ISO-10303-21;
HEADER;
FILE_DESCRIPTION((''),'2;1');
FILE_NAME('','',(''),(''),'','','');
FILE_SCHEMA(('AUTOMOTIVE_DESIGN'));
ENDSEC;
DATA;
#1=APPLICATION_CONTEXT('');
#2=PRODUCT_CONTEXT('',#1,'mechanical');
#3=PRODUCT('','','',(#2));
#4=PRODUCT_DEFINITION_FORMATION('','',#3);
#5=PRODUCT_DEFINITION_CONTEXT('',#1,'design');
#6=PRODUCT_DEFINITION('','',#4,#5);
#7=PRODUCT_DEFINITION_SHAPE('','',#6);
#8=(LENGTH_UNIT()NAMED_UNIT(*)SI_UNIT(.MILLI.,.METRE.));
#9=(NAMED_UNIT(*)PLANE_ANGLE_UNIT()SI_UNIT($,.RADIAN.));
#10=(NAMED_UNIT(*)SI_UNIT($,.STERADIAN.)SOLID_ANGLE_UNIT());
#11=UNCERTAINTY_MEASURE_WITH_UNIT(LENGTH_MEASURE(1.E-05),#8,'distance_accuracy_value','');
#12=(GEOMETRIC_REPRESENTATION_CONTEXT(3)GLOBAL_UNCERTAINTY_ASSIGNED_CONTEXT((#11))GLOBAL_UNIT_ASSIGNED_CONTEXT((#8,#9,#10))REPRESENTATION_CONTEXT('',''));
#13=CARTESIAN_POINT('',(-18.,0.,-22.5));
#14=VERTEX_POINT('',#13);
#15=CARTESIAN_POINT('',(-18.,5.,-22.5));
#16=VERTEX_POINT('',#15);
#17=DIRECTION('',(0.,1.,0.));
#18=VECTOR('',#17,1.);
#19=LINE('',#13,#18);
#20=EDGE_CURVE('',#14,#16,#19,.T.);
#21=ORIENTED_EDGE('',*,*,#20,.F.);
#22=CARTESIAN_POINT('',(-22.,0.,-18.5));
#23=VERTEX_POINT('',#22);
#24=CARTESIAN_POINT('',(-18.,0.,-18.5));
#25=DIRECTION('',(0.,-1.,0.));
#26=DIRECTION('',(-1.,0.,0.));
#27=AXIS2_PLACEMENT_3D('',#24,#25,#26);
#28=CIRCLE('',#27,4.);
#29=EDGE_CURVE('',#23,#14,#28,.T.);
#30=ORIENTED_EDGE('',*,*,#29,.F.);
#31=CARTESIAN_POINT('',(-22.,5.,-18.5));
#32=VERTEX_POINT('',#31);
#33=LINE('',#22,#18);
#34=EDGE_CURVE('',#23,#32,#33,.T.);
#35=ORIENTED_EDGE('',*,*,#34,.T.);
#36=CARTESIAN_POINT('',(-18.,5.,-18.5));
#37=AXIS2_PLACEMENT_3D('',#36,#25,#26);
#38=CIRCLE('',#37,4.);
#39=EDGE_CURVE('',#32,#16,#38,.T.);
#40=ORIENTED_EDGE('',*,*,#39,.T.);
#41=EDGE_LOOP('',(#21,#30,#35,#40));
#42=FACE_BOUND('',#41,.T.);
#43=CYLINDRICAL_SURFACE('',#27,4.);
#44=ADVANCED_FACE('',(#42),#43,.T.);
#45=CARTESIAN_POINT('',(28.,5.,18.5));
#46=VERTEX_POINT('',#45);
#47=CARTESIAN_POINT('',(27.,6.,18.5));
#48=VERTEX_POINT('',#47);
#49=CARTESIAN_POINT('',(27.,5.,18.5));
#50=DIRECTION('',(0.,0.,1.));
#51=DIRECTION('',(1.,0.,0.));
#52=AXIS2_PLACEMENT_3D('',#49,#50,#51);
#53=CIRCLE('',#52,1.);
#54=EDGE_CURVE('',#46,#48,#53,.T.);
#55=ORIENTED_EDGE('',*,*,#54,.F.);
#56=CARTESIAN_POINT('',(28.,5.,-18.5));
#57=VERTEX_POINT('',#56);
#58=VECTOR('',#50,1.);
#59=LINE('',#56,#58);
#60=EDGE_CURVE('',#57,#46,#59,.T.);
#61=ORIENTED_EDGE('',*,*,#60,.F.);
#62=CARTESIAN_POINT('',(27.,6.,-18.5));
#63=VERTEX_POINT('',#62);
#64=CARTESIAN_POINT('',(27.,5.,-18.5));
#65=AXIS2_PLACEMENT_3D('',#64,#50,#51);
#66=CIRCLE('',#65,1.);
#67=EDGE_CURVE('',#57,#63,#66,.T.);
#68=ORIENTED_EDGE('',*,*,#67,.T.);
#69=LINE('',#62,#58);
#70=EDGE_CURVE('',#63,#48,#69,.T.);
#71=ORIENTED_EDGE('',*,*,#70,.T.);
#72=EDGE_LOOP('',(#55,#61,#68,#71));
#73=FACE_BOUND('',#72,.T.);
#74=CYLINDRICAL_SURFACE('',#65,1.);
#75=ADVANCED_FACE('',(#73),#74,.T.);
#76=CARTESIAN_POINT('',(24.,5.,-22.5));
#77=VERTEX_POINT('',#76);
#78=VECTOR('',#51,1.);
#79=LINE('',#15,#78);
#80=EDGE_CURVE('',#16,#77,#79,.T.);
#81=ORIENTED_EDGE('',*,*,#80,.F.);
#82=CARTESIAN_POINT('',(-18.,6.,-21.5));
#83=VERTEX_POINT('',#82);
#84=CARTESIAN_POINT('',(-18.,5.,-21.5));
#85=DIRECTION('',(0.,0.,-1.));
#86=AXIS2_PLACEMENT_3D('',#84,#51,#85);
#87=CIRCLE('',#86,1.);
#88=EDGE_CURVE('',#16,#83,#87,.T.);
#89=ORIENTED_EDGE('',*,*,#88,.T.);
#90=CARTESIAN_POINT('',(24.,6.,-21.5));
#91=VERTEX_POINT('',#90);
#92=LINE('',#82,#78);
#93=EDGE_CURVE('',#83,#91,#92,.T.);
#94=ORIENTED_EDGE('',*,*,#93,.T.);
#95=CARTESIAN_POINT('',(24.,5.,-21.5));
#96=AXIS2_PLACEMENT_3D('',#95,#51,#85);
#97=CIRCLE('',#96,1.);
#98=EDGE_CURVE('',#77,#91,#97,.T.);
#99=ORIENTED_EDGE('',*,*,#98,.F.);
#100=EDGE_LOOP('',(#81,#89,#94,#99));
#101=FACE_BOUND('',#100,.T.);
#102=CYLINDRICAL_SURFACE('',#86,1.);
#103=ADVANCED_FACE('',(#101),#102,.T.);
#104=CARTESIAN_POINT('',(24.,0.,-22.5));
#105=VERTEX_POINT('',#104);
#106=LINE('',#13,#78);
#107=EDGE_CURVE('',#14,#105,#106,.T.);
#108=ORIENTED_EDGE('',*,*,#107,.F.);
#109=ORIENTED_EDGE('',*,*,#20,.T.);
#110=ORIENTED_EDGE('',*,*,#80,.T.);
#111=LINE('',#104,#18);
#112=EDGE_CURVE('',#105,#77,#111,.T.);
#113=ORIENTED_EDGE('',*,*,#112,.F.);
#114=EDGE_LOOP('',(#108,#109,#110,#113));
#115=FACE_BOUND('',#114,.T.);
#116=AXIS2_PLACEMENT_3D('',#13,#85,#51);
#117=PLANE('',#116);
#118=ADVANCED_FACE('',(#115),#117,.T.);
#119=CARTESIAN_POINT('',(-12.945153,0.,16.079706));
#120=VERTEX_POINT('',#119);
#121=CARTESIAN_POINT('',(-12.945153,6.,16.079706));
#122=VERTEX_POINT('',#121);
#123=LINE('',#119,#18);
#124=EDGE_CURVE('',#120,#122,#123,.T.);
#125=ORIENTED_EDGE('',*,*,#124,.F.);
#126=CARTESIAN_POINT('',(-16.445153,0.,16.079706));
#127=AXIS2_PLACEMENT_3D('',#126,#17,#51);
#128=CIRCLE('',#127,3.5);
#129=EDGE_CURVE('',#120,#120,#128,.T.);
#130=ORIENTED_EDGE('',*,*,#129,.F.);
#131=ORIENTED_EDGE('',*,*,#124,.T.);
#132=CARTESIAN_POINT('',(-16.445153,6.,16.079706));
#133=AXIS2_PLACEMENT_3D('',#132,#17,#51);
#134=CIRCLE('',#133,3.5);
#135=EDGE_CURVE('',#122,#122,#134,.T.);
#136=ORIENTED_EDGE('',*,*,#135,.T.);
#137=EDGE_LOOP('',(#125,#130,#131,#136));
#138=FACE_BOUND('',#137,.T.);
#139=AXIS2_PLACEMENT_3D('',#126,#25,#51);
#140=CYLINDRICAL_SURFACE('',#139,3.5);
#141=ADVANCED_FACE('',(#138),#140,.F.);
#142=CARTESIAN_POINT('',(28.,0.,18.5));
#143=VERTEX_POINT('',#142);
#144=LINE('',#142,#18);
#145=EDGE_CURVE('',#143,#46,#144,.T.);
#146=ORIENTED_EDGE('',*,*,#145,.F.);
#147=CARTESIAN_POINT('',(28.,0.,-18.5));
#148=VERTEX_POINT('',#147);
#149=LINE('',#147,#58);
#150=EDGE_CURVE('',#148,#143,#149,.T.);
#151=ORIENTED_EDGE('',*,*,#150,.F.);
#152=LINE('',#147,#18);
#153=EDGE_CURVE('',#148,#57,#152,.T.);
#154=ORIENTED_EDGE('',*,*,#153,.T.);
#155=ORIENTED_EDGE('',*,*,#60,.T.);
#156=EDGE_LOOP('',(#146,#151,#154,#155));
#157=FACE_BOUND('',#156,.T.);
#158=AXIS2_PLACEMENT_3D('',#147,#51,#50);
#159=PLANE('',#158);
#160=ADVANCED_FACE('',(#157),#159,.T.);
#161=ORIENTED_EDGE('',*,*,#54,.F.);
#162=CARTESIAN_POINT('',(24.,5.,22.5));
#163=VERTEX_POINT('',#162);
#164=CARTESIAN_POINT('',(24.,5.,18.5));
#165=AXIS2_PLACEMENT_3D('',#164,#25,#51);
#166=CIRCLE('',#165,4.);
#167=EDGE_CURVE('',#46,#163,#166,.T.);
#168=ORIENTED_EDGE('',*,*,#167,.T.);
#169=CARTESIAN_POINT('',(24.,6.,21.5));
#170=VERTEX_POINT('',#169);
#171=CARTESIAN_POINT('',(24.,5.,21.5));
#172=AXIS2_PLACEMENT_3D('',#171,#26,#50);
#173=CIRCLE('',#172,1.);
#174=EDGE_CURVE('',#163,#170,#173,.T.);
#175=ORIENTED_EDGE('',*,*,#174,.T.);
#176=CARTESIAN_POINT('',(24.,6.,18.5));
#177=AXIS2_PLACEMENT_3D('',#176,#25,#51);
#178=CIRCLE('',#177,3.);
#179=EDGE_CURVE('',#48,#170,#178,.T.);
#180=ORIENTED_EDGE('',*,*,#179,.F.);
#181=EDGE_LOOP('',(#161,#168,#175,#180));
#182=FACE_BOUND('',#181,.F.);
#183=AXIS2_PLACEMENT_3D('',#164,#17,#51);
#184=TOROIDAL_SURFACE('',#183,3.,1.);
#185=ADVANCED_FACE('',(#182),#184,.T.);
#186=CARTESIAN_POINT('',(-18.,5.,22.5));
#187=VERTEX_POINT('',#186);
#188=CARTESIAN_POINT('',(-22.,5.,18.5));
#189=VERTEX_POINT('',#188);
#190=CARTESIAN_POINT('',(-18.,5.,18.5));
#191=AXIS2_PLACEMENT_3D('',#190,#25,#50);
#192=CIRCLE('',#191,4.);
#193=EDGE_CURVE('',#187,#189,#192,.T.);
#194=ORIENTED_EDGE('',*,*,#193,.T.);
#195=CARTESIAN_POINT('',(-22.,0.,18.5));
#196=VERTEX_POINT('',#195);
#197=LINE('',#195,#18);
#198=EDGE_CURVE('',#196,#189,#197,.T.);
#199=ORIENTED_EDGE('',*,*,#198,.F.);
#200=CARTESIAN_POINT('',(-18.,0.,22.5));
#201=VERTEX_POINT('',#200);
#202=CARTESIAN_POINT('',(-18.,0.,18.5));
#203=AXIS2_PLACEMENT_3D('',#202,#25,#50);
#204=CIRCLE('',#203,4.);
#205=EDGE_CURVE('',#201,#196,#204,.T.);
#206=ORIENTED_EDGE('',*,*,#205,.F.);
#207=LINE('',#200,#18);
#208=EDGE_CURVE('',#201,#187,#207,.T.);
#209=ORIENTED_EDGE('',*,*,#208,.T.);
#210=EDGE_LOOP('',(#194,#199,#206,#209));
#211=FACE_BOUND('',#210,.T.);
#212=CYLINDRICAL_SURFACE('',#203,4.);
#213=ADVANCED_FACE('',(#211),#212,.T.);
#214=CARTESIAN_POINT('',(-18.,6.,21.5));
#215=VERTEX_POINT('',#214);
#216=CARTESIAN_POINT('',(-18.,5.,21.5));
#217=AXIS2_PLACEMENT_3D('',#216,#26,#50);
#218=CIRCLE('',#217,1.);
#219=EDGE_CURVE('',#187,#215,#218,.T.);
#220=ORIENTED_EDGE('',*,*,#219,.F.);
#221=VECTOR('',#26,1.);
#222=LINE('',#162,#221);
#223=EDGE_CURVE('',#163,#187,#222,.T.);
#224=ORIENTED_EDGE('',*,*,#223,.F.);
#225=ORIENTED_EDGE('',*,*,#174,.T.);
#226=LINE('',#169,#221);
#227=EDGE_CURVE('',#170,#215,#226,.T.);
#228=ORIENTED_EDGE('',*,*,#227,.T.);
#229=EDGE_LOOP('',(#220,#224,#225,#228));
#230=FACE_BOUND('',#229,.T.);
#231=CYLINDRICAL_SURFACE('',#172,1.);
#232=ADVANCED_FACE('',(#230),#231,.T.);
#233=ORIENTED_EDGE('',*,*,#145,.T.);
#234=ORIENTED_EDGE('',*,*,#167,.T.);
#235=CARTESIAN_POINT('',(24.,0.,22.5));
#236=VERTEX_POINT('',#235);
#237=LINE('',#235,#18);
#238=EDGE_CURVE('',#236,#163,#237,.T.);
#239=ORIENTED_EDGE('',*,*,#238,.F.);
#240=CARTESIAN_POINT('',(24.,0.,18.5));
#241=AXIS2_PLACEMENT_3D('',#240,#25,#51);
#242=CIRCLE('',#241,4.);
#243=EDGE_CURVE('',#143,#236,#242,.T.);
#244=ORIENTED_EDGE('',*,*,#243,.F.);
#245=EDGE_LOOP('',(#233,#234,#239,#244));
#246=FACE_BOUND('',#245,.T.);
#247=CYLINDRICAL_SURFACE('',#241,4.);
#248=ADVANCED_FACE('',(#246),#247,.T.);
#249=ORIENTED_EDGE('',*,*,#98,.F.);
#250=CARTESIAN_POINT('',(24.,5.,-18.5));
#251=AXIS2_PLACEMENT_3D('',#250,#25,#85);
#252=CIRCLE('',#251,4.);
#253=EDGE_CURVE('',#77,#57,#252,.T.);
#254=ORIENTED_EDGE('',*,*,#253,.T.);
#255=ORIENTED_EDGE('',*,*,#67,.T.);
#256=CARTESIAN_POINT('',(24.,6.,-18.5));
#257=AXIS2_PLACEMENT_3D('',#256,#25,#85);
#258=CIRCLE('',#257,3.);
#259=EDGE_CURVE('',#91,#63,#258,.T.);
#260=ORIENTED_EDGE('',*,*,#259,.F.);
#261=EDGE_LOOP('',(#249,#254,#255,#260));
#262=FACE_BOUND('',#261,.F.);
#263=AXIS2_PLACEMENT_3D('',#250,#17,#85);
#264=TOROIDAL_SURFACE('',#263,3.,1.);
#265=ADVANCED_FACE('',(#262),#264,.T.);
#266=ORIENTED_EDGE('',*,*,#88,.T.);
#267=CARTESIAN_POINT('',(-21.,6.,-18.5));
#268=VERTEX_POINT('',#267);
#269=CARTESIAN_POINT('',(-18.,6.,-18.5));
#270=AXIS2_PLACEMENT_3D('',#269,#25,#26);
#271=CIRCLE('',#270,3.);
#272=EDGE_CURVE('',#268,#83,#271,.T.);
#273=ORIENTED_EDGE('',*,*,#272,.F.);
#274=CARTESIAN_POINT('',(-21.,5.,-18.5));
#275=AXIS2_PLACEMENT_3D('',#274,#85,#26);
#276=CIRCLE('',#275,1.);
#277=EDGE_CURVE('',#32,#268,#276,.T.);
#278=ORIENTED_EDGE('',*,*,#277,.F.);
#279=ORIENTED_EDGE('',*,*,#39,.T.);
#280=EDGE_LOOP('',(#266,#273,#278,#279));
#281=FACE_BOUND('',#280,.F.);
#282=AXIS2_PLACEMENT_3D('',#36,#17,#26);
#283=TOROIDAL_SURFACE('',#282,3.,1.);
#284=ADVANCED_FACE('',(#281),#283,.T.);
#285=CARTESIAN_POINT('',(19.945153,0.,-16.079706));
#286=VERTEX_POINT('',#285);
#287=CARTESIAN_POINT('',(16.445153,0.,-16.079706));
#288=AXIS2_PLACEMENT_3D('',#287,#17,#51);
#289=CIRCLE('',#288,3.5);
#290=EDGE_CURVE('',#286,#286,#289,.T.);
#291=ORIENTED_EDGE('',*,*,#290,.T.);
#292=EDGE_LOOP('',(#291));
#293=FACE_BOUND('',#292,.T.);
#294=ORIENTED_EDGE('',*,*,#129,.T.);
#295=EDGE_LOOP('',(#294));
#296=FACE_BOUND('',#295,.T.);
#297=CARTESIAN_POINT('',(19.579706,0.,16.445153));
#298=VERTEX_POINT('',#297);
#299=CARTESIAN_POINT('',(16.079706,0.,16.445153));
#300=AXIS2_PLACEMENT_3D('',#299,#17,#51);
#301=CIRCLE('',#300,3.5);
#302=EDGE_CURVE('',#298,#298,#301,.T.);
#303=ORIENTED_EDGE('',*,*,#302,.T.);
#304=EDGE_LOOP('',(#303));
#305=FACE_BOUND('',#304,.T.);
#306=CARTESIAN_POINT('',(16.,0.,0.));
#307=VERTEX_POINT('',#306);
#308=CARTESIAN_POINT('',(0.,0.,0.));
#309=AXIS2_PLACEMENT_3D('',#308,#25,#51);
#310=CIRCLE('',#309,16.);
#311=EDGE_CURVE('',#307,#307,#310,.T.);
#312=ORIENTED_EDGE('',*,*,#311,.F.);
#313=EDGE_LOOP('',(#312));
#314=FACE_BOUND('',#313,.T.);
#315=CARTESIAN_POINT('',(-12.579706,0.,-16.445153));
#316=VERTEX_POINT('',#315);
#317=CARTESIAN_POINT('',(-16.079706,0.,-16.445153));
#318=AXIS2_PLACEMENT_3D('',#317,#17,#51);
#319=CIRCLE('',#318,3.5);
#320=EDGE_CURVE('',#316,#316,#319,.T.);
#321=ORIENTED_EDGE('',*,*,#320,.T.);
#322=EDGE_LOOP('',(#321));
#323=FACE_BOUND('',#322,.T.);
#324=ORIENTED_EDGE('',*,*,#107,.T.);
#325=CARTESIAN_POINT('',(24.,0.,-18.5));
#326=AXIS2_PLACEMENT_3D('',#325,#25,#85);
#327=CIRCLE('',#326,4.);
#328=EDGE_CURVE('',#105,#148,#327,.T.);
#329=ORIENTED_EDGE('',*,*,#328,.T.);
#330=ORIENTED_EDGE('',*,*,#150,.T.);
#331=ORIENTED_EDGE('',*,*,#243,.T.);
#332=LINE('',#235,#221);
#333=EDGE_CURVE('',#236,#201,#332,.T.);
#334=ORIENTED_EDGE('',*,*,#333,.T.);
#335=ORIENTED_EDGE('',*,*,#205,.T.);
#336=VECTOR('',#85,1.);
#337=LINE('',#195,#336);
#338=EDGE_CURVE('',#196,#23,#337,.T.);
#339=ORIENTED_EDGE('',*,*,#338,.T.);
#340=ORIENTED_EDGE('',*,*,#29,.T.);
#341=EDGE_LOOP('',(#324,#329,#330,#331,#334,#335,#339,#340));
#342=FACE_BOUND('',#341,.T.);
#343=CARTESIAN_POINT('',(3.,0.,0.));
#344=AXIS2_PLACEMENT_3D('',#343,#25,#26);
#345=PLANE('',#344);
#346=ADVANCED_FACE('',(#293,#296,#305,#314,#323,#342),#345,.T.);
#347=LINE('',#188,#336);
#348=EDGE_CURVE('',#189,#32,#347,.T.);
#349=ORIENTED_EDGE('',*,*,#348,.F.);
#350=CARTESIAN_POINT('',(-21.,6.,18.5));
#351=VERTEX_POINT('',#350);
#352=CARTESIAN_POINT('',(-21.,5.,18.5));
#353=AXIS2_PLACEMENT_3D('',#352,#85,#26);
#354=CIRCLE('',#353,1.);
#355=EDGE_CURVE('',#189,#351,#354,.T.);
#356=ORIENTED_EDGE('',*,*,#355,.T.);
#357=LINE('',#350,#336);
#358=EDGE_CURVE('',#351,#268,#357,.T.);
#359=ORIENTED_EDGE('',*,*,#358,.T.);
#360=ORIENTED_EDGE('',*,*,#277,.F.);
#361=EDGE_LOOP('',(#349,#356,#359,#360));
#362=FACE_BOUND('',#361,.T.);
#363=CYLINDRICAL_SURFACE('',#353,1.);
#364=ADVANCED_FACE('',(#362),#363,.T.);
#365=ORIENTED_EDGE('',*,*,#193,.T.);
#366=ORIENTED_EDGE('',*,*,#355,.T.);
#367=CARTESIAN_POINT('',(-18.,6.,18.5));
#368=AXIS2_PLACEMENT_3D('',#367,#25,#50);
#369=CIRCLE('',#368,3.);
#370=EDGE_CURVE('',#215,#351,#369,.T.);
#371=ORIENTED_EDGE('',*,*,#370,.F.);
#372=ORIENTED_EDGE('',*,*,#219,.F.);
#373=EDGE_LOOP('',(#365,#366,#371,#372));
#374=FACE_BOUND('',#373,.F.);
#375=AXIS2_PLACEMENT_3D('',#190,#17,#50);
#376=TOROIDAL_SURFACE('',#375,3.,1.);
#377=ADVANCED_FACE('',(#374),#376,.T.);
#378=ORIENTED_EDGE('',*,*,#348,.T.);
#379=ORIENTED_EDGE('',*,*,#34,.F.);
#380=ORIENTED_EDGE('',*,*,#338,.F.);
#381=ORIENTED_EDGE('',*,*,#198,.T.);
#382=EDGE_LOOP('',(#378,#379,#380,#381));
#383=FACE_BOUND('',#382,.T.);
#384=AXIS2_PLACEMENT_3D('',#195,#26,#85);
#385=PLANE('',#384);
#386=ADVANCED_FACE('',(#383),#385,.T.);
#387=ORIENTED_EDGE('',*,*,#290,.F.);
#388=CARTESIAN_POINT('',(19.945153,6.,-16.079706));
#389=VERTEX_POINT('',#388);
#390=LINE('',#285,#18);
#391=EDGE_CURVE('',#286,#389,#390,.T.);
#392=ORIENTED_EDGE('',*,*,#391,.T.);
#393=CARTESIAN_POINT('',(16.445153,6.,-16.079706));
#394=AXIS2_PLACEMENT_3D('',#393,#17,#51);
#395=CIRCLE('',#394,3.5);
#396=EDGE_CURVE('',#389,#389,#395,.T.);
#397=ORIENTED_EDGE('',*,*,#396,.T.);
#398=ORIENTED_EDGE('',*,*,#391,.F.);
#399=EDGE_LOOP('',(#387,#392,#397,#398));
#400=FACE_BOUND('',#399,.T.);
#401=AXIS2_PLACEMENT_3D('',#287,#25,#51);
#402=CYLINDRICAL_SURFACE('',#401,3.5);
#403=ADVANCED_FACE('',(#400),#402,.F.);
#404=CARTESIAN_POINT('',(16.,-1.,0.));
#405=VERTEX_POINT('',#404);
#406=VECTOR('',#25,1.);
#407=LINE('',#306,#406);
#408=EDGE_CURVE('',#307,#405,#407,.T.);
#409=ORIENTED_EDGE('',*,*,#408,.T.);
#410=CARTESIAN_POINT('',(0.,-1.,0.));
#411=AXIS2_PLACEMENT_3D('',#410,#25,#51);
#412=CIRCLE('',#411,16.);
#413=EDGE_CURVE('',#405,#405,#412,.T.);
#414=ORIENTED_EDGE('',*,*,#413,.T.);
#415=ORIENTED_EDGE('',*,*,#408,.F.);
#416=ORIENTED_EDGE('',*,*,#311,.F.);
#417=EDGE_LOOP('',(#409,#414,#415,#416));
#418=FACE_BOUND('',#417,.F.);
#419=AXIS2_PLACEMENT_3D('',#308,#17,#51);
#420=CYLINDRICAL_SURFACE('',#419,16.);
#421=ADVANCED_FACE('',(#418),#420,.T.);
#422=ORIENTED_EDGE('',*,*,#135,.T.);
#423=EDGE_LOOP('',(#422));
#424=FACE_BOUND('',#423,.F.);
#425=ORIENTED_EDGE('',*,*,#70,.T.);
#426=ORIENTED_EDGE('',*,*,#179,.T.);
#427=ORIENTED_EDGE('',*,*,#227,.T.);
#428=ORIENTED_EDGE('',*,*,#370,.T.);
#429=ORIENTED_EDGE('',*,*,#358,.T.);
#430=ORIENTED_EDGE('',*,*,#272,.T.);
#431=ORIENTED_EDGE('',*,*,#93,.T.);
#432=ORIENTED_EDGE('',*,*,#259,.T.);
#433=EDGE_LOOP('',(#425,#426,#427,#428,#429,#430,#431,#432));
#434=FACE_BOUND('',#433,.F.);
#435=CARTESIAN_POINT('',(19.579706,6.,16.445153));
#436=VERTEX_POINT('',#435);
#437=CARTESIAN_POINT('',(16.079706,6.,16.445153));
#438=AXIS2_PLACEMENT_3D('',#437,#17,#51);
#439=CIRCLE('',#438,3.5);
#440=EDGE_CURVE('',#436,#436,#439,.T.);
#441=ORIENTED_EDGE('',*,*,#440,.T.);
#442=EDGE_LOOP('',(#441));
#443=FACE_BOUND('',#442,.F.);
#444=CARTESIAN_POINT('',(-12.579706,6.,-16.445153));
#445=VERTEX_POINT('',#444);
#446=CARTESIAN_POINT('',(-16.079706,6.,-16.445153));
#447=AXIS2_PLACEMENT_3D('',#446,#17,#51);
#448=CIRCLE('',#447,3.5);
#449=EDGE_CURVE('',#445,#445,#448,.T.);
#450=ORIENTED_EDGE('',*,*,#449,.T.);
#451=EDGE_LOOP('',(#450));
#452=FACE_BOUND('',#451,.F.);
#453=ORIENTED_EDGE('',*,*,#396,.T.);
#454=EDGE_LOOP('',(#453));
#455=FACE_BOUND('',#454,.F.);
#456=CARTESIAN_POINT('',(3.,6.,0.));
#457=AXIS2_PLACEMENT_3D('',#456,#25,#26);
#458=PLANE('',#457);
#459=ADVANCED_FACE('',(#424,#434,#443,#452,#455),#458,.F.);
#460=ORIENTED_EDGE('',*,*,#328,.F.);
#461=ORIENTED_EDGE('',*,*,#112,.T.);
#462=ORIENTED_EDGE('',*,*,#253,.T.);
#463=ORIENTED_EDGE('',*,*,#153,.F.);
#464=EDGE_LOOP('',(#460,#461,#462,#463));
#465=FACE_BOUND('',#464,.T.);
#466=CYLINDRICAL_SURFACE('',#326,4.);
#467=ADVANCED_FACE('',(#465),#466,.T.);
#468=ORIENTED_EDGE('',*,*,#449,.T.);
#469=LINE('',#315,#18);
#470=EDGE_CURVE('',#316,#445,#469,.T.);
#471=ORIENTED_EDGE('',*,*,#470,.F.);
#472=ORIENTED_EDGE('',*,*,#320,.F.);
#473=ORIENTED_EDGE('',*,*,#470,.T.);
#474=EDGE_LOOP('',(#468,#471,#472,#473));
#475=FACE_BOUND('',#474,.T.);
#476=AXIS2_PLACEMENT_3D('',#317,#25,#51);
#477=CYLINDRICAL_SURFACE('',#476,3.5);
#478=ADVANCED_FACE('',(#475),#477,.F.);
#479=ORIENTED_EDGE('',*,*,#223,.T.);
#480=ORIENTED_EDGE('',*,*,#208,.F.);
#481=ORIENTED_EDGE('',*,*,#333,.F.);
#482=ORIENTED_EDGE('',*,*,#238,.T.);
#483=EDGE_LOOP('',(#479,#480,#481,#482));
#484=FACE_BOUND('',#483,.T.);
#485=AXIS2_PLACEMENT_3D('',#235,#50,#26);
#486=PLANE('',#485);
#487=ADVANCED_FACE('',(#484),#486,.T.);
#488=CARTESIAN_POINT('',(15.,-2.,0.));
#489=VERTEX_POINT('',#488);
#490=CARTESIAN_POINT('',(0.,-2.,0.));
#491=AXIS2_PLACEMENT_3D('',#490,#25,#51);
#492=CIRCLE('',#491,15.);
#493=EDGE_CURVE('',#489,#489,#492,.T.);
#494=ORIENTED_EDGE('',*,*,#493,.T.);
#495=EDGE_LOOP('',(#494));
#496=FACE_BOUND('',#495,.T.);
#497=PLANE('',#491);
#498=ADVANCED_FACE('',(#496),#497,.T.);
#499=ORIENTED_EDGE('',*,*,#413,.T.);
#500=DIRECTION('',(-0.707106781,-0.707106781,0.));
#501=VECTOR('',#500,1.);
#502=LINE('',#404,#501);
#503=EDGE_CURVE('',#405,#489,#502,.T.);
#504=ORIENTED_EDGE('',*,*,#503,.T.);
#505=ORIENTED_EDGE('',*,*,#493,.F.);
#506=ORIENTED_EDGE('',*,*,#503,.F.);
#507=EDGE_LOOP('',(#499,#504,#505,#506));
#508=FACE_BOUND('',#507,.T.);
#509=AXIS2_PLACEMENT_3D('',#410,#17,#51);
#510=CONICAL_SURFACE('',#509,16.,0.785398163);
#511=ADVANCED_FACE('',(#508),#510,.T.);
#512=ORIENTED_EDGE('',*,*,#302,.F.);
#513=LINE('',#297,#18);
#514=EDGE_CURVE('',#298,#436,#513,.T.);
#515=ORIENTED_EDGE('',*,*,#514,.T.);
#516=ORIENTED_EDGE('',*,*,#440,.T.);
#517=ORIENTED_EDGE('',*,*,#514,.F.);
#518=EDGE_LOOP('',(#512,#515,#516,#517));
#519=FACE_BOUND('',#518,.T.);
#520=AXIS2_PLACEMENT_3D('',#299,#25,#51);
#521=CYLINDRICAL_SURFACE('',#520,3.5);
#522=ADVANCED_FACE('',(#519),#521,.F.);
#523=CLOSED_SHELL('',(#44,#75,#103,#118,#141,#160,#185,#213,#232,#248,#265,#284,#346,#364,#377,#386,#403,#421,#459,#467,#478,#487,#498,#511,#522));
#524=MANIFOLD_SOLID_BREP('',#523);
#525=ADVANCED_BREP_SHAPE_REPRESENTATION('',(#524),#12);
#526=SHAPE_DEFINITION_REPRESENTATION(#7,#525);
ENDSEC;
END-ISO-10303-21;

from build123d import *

# Parameters (mm, degrees)
SKETCH1_R           = 3.5
BOSS_EXTRUDE1_DEPTH = 6
FILLET1_R           = 1
SKETCH2_R           = 16
BOSS_EXTRUDE2_DEPTH = 2
CHAMFER1_SIZE       = 1


with BuildPart() as part:
    # Sketch1 → Boss-Extrude1 (new body)
    with BuildSketch(Plane(origin=(0, 0, 0), x_dir=(1, 0, 0), z_dir=(0, 1, 0))):
        with BuildLine():
            Line((-18, 22.5), (24, 22.5))
            ThreePointArc((24, 22.5), (26.828427125, 21.328427125), (28, 18.5))
            Line((28, 18.5), (28, -18.5))
            ThreePointArc((28, -18.5), (26.828427125, -21.328427125), (24, -22.5))
            Line((24, -22.5), (-18, -22.5))
            ThreePointArc((-18, -22.5), (-20.828427125, -21.328427125), (-22, -18.5))
            Line((-22, -18.5), (-22, 18.5))
            ThreePointArc((-22, 18.5), (-20.828427125, 21.328427125), (-18, 22.5))
        make_face()
        with Locations((-16.079705534, 16.445153387)):
            Circle(SKETCH1_R, mode=Mode.SUBTRACT)
        with Locations((16.445153387, 16.079705534)):
            Circle(SKETCH1_R, mode=Mode.SUBTRACT)
        with Locations((16.079705534, -16.445153387)):
            Circle(SKETCH1_R, mode=Mode.SUBTRACT)
        with Locations((-16.445153387, -16.079705534)):
            Circle(SKETCH1_R, mode=Mode.SUBTRACT)
    extrude(amount=BOSS_EXTRUDE1_DEPTH)

    # Fillet1
    fillet1_edges = [part.edges().sort_by_distance(p)[0] for p in [
        (-20.828427125, 6, -21.328427125),
        (-22, 6, 0),
        (-20.828427125, 6, 21.328427125),
        (3, 6, 22.5),
        (26.828427125, 6, 21.328427125),
        (28, 6, 0),
        (26.828427125, 6, -21.328427125),
        (3, 6, -22.5),
    ]]
    fillet(fillet1_edges, radius=FILLET1_R)

    # Sketch2 → Boss-Extrude2 (add)
    with BuildSketch(Plane.XZ):
        Circle(SKETCH2_R)
    extrude(amount=BOSS_EXTRUDE2_DEPTH)

    # Chamfer1
    chamfer1_edges = [part.edges().sort_by_distance(p)[0] for p in [
        (-16, -2, 0),
    ]]
    chamfer(chamfer1_edges, length=CHAMFER1_SIZE)


solid = part.part
